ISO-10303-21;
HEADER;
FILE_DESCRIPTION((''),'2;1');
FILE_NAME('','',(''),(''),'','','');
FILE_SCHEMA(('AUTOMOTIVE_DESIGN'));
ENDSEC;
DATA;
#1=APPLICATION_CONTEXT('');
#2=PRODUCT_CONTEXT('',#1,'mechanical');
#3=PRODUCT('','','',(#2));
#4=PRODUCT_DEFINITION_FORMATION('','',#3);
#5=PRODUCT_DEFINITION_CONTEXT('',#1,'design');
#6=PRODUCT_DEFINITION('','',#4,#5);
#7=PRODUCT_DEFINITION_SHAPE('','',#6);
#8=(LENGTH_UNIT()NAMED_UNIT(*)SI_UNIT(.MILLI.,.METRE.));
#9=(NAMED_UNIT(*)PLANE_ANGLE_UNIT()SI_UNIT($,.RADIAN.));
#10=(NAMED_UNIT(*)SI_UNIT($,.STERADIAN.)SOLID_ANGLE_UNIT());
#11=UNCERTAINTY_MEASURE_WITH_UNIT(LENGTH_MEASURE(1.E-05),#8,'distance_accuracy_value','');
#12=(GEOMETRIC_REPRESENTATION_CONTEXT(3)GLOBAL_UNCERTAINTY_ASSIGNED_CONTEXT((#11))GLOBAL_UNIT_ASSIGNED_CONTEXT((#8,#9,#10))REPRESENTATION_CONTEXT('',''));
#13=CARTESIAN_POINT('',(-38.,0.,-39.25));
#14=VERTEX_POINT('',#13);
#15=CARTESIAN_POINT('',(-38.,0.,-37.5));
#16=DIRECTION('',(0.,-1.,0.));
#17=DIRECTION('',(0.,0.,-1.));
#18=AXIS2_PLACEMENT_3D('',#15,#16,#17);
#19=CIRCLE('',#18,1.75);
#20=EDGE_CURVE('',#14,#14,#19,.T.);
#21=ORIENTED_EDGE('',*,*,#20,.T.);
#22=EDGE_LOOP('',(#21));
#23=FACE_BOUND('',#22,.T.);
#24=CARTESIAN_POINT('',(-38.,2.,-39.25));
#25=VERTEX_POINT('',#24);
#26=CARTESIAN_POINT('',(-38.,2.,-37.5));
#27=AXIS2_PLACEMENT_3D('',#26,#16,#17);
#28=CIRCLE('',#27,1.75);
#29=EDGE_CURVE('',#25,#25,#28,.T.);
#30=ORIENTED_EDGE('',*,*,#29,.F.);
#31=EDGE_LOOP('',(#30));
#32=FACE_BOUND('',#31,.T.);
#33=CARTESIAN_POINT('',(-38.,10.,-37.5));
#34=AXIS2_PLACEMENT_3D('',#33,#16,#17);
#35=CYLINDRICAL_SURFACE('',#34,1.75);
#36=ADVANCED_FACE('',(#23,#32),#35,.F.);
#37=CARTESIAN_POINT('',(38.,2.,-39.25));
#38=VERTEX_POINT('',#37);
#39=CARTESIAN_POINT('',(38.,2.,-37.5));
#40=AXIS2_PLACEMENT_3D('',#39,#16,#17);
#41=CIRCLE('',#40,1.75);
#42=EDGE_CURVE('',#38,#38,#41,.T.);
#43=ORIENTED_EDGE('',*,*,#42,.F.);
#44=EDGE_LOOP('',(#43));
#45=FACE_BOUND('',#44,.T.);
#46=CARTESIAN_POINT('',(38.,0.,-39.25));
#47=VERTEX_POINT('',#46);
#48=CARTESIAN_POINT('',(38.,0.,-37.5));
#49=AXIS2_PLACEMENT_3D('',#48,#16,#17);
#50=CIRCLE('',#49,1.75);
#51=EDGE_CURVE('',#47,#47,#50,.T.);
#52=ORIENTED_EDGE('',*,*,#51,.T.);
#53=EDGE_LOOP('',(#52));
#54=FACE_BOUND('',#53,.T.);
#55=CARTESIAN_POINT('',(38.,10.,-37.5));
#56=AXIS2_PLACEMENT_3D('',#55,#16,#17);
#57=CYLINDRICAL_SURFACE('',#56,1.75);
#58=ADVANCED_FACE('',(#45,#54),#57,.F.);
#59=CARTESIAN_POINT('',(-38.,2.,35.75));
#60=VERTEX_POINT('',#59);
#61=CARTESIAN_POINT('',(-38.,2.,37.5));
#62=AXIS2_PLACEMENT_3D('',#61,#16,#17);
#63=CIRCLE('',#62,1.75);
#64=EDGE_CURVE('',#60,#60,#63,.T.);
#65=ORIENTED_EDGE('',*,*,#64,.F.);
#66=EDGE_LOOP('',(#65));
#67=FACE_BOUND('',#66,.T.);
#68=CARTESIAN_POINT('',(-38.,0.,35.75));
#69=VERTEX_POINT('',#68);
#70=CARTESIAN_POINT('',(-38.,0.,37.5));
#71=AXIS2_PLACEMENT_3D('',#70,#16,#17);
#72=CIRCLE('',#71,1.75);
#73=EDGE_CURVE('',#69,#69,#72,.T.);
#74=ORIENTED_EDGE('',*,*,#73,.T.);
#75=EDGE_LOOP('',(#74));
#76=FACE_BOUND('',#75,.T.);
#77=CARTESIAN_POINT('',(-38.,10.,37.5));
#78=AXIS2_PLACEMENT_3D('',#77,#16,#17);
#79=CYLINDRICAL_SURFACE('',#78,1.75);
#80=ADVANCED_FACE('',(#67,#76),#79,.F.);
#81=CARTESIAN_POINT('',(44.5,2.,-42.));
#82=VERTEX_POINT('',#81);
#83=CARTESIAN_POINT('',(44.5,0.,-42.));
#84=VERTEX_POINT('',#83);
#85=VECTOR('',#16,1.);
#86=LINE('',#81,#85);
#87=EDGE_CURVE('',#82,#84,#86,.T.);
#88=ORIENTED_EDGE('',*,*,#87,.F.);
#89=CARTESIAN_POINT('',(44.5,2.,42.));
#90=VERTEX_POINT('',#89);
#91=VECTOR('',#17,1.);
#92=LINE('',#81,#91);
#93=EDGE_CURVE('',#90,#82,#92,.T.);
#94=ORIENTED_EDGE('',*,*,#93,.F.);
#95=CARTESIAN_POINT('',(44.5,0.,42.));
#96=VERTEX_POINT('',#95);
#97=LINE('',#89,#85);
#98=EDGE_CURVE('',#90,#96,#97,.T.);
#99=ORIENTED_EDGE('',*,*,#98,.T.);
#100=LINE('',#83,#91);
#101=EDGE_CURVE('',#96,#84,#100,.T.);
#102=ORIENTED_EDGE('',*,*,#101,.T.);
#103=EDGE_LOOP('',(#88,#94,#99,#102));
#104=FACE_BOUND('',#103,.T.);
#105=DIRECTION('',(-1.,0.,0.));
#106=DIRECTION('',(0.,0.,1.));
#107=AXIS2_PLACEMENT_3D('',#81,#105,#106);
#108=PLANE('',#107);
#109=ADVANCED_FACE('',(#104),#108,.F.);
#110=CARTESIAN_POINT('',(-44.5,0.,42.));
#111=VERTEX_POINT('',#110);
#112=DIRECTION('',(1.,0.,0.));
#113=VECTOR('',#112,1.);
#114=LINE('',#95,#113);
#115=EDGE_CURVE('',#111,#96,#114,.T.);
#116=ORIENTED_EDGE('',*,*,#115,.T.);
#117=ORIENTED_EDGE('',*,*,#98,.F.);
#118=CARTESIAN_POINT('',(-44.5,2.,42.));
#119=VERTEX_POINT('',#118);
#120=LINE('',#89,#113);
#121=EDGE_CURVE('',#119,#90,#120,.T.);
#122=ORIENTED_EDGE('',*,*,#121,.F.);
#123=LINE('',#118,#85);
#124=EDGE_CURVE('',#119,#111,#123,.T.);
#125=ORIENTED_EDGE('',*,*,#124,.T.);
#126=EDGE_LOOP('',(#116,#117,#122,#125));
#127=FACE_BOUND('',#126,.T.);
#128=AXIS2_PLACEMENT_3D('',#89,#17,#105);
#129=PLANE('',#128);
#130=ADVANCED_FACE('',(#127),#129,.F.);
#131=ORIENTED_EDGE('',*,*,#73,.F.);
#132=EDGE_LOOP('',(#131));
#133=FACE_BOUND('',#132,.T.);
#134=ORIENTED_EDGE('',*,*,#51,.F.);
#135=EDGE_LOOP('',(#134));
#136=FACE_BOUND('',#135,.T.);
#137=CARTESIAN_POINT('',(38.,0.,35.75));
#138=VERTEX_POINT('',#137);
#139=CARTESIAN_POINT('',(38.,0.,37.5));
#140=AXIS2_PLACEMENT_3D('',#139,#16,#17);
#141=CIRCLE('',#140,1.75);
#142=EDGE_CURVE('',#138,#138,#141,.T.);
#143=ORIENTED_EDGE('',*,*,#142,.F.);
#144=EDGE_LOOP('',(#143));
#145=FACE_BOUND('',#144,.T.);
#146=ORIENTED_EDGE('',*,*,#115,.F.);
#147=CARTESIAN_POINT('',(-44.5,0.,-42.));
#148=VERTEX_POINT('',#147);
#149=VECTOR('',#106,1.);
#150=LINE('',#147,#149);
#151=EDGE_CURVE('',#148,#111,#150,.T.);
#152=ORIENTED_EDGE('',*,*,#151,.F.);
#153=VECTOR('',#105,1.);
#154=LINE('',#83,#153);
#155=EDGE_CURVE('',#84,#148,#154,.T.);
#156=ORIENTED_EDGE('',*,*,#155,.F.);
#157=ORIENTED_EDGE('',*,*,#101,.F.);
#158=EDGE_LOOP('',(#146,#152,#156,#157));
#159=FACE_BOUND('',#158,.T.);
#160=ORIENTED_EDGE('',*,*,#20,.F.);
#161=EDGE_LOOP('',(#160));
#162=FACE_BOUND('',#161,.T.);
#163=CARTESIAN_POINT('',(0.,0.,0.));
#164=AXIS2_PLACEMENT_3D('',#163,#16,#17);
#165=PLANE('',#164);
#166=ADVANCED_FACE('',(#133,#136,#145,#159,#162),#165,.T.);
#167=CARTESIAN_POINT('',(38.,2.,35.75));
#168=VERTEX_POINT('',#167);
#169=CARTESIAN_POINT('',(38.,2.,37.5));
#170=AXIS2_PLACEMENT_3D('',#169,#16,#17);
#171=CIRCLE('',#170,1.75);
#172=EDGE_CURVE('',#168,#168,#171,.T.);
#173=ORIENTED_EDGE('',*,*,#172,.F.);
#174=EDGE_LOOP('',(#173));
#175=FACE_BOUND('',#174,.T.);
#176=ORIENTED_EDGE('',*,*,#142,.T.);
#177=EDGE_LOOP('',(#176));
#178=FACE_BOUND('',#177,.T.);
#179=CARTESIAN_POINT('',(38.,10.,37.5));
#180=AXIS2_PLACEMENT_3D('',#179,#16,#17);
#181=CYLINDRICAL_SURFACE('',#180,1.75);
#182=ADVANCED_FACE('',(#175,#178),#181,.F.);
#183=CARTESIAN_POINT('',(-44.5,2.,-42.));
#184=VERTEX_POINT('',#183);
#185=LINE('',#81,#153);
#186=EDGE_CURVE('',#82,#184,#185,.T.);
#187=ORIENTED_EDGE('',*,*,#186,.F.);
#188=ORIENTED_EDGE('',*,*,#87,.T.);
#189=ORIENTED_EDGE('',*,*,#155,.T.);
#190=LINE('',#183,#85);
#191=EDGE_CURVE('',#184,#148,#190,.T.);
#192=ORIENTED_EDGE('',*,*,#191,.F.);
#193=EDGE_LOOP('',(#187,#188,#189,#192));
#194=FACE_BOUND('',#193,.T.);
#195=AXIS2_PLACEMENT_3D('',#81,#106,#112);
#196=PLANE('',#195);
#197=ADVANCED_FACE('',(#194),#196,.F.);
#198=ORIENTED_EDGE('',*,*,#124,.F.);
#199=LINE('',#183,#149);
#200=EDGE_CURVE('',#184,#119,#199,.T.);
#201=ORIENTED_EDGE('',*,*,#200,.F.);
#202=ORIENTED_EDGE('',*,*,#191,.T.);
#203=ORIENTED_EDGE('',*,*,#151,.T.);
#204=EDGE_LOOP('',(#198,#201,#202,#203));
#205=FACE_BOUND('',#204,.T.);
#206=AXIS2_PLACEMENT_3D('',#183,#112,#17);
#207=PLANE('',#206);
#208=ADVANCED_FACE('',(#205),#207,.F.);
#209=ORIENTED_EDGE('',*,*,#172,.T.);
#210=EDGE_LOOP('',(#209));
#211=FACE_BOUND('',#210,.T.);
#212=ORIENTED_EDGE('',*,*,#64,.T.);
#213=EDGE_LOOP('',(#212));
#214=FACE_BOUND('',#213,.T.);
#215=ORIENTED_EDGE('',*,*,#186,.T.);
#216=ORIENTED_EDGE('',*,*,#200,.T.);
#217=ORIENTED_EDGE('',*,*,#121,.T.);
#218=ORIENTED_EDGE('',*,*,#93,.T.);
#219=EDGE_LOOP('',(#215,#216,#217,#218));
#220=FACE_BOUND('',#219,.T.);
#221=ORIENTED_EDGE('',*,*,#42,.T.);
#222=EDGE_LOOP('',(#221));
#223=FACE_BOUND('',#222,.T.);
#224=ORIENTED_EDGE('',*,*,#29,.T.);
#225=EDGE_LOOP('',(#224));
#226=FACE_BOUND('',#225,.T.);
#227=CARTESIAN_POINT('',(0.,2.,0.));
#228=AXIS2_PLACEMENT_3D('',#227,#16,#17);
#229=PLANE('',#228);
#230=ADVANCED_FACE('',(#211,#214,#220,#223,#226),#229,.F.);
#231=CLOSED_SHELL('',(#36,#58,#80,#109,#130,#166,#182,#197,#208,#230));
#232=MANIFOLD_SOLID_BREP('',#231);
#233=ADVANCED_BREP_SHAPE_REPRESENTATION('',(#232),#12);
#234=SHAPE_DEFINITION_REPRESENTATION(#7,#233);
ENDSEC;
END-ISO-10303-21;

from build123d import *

# Parameters (mm, degrees)
SKETCH1_W           = 89
SKETCH1_H           = 84
BOSS_EXTRUDE1_DEPTH = 2
SKETCH2_R           = 1.75
CUT_EXTRUDE1_DEPTH  = 10


with BuildPart() as part:
    # Sketch1 → Boss-Extrude1 (new body)
    with BuildSketch(Plane(origin=(0, 0, 0), x_dir=(1, 0, 0), z_dir=(0, 1, 0))):
        Rectangle(SKETCH1_W, SKETCH1_H)
    extrude(amount=BOSS_EXTRUDE1_DEPTH)

    # Sketch2 → Cut-Extrude1 (cut)
    with BuildSketch(Plane.XZ):
        with Locations((-38, 37.5)):
            Circle(SKETCH2_R)
        with Locations((-38, -37.5)):
            Circle(SKETCH2_R)
        with Locations((38, -37.5)):
            Circle(SKETCH2_R)
        with Locations((38, 37.5)):
            Circle(SKETCH2_R)
    extrude(amount=-CUT_EXTRUDE1_DEPTH, mode=Mode.SUBTRACT)


solid = part.part
